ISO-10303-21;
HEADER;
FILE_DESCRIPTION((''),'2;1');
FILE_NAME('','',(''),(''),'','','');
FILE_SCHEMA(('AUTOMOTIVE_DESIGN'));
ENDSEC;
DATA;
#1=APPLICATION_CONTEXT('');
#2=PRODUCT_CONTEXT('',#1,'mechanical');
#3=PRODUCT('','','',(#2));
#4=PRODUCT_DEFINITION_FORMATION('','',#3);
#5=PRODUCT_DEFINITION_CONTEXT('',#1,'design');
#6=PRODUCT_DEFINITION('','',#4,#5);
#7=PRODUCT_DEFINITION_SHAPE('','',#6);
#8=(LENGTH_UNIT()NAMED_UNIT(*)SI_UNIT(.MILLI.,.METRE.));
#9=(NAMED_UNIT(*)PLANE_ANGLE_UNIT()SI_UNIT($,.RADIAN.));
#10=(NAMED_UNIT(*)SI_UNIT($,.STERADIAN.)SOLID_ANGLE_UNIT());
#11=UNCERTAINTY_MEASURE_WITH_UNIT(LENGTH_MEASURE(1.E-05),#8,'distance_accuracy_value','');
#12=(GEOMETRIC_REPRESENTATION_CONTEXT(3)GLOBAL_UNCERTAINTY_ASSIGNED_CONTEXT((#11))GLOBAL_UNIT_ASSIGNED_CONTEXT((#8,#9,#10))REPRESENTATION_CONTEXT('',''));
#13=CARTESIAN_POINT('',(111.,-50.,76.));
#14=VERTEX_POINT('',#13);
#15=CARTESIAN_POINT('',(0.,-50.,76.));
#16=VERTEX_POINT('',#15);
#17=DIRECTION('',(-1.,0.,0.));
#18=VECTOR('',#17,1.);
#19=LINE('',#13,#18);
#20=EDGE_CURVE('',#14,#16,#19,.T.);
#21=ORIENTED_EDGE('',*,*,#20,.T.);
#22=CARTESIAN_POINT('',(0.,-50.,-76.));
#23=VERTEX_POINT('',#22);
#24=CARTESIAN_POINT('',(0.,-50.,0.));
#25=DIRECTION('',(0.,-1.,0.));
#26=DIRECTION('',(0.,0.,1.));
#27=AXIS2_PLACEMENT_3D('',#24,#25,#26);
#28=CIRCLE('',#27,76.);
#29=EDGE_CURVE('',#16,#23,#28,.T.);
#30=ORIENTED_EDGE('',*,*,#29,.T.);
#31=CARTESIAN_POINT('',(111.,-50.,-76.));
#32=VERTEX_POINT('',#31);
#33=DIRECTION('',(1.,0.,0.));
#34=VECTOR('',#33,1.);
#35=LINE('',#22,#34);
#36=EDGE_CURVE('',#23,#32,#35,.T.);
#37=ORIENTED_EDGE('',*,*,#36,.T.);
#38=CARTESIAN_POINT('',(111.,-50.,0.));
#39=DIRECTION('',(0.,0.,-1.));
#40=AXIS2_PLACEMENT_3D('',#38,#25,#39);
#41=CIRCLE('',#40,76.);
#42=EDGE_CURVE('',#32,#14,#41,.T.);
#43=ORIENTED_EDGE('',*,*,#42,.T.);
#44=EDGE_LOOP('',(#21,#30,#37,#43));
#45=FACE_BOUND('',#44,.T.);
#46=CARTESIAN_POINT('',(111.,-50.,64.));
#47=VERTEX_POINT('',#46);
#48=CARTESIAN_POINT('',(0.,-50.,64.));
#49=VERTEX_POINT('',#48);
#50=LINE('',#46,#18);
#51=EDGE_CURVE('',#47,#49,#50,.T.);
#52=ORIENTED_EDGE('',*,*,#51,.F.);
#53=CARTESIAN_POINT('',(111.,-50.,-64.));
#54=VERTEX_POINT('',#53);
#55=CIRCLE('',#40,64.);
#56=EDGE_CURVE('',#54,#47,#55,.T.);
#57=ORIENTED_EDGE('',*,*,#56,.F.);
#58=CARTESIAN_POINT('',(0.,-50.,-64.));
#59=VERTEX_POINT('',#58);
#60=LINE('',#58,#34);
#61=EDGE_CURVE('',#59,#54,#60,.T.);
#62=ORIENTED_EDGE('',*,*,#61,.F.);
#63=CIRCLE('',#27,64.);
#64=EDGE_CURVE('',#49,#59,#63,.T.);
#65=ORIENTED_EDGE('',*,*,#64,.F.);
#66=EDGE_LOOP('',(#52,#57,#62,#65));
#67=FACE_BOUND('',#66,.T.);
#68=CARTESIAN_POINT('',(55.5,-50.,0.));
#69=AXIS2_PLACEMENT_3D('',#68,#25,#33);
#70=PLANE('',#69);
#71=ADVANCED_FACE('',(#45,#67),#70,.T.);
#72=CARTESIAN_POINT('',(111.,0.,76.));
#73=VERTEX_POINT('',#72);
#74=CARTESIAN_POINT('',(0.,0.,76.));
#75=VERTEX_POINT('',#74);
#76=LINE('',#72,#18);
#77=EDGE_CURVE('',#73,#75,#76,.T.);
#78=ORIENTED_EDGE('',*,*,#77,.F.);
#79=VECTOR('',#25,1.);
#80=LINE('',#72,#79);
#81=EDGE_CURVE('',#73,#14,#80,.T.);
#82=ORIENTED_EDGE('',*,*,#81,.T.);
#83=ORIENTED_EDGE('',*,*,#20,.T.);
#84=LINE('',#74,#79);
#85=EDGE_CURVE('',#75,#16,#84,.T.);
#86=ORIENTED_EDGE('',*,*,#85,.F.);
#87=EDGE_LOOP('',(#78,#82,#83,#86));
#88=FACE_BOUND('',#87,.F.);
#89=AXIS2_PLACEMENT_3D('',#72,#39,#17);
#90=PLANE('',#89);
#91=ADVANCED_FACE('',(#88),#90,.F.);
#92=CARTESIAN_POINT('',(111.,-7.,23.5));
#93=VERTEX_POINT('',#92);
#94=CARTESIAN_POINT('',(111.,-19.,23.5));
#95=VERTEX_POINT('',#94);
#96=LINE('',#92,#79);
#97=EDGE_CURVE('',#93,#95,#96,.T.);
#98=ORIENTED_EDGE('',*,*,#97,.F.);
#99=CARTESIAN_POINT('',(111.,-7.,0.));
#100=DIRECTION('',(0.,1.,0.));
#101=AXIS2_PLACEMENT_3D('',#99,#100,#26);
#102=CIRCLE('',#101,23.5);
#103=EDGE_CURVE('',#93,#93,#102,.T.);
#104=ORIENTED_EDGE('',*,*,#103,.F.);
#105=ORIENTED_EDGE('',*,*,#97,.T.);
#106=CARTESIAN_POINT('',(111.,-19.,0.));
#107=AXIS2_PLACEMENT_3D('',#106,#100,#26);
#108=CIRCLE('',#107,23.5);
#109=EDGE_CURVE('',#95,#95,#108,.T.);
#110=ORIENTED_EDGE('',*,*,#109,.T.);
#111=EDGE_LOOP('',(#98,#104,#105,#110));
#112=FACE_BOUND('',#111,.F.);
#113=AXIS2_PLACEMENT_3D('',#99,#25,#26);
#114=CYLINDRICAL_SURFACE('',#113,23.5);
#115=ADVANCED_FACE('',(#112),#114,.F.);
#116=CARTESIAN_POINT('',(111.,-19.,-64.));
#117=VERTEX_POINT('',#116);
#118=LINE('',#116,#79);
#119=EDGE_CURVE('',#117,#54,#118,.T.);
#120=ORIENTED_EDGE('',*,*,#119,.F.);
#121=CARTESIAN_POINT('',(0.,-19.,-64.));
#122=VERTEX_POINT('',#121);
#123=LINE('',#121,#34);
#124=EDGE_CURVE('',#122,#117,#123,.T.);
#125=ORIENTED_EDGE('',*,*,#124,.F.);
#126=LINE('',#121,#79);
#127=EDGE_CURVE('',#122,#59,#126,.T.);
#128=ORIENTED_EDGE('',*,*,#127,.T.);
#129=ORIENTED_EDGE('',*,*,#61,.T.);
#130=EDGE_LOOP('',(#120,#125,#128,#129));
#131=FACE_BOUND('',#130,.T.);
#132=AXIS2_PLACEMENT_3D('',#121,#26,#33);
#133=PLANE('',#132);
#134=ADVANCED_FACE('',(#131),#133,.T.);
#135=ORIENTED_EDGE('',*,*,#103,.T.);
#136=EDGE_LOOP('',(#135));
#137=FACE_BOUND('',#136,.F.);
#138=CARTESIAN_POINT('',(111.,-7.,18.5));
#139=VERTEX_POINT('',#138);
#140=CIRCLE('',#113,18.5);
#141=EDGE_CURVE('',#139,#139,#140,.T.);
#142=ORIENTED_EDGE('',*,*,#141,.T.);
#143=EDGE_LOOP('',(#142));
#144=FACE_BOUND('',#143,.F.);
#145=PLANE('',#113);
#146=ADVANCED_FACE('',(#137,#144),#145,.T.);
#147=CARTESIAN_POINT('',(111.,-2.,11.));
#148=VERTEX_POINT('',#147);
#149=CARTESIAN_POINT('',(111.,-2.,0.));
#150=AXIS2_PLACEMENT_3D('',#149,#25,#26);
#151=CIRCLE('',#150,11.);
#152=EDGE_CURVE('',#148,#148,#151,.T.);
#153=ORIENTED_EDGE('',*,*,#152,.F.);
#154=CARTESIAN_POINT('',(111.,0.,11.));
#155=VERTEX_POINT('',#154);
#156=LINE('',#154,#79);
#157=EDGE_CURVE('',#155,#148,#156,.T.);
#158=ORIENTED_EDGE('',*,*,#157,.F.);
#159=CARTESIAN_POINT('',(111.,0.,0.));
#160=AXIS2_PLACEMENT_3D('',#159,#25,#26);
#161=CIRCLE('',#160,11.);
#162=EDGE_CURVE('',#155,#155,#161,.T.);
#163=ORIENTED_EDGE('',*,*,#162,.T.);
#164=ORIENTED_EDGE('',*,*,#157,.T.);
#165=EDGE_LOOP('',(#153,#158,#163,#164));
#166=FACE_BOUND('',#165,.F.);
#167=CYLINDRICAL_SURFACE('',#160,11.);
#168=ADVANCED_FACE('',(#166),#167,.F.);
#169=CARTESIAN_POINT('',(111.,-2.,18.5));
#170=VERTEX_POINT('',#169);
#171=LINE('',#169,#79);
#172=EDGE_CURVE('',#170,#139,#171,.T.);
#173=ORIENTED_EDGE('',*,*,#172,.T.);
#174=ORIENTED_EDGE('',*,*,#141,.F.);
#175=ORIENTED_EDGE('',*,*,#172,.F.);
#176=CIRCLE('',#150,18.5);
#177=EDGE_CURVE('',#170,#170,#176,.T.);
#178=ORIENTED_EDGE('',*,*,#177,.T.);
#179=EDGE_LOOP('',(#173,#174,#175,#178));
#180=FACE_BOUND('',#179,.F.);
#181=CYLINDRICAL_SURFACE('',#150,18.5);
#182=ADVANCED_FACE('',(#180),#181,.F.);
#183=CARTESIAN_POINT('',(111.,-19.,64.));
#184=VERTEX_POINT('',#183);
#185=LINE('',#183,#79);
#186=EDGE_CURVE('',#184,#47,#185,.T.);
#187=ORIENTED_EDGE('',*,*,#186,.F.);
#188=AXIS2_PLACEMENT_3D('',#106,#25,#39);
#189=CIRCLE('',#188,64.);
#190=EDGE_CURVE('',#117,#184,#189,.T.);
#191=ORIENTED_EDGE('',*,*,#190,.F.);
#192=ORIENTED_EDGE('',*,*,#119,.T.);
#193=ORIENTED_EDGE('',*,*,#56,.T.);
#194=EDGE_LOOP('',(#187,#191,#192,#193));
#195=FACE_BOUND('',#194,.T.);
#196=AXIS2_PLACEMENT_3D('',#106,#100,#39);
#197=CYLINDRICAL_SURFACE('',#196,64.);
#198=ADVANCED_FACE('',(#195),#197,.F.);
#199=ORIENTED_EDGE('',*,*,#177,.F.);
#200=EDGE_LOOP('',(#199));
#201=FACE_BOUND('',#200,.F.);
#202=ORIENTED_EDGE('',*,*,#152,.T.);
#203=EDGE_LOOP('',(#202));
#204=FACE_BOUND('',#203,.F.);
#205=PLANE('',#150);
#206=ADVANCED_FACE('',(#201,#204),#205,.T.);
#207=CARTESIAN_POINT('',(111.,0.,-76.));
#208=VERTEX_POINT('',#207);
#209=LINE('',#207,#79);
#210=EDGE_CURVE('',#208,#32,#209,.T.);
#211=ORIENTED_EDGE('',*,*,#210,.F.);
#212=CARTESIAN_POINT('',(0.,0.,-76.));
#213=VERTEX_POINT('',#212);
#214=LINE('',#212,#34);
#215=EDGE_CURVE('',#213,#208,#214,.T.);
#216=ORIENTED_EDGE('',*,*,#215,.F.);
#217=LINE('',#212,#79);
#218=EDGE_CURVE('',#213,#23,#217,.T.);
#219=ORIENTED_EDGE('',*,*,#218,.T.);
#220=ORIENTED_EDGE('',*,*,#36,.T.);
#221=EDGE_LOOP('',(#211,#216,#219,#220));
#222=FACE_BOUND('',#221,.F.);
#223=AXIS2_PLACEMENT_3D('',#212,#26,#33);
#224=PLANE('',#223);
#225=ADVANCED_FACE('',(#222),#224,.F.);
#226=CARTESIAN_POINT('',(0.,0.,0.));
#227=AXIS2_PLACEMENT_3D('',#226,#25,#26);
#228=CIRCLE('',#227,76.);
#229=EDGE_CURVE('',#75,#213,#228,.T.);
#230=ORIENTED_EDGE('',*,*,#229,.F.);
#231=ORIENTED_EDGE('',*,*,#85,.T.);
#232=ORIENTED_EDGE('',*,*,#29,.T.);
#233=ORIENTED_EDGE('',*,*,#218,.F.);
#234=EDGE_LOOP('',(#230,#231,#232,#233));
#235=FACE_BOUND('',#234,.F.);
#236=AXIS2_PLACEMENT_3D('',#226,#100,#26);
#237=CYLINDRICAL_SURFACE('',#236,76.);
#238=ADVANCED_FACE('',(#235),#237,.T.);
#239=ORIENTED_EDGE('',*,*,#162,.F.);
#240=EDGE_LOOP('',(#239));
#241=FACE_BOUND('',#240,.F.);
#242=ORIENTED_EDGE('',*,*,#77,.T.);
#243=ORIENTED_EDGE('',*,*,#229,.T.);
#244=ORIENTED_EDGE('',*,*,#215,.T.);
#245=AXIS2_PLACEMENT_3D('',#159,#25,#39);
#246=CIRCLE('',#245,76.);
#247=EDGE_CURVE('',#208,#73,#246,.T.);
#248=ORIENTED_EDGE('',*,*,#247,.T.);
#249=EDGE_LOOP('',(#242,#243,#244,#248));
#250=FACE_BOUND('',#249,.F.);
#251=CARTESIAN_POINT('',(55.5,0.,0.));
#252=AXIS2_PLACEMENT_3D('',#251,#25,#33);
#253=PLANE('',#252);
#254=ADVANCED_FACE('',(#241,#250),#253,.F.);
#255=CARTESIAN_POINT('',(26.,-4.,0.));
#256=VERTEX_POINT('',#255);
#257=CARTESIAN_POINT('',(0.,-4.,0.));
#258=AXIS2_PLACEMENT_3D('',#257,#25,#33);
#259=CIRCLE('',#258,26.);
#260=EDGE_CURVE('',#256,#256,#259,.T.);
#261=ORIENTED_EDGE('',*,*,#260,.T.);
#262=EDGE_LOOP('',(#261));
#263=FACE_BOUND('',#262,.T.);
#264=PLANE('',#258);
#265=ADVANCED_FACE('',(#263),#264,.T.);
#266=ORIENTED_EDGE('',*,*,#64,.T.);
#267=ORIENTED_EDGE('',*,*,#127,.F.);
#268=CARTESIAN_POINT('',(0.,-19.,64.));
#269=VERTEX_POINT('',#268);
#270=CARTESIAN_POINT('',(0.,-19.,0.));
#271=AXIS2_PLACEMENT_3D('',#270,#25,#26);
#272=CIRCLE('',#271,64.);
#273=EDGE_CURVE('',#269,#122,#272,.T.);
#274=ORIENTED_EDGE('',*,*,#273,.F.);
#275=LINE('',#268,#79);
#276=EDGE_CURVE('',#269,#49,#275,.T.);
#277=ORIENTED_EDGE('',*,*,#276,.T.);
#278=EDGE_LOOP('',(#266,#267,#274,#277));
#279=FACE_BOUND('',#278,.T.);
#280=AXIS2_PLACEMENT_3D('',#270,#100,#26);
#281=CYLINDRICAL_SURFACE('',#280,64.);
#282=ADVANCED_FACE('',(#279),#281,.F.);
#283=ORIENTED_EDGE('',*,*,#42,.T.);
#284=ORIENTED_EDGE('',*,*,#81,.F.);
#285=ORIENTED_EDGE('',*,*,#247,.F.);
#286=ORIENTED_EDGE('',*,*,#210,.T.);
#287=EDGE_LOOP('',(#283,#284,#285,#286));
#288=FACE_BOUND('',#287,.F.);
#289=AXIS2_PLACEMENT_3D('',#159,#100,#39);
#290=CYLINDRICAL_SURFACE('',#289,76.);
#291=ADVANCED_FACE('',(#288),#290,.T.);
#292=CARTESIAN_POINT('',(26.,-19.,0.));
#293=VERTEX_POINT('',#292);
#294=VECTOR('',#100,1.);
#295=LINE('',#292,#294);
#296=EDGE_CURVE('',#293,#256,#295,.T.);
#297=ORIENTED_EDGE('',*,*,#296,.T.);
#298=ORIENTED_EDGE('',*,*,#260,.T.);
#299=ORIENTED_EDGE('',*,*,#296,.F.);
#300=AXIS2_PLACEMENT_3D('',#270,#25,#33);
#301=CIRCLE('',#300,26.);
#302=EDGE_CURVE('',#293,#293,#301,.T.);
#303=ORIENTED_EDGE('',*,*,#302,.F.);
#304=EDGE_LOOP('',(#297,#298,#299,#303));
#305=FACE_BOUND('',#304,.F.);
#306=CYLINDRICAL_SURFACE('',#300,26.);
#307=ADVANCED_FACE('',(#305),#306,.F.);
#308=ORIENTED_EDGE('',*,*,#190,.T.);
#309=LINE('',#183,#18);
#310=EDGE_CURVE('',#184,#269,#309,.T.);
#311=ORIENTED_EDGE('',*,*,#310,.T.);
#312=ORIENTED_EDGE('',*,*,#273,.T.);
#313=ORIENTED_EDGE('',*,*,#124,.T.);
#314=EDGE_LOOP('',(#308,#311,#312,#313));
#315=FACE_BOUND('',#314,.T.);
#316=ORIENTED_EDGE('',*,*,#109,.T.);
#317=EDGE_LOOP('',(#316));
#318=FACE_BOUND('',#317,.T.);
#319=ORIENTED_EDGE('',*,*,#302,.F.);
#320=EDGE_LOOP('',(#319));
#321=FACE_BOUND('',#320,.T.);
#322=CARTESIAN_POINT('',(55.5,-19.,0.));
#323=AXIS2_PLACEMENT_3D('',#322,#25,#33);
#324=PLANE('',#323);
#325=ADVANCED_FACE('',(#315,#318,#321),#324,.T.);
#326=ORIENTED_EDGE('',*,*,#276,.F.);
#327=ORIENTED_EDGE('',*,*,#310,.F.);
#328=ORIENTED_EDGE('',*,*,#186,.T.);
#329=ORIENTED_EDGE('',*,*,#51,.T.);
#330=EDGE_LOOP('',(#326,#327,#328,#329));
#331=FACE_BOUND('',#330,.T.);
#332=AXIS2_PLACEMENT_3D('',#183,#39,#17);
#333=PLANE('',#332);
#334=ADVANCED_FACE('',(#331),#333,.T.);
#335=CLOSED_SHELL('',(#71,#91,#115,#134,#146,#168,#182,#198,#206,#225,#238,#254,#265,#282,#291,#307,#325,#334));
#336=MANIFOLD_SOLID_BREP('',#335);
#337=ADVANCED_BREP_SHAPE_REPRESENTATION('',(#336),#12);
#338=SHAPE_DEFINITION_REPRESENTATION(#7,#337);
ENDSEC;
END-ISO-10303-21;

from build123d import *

# Parameters (mm, degrees)
F2_DEPTH = 50
F4_DEPTH = 31
F5_R     = 26
F6_DEPTH = 15
F9_ANGLE = -360


with BuildPart() as f2:
    # F0 (on Front) → F2 (new body)
    with BuildSketch(Plane.XZ):
        with BuildLine():
            Line((111, 76), (0, 76))
            ThreePointArc((0, 76), (-76, 0), (0, -76))
            Line((0, -76), (111, -76))
            ThreePointArc((111, -76), (187, 0), (111, 76))
        make_face()
    extrude(amount=F2_DEPTH)

    # F3 (on offset) → F4 (cut)
    with BuildSketch(Plane.XZ.offset(19)):
        with BuildLine():
            Line((111, 64), (0, 64))
            ThreePointArc((0, 64), (-64, 0), (0, -64))
            Line((0, -64), (111, -64))
            ThreePointArc((111, -64), (175, 0), (111, 64))
        make_face()
    extrude(amount=F4_DEPTH, mode=Mode.SUBTRACT)

    # F5 (on offset) → F6 (cut)
    with BuildSketch(Plane.XZ.offset(19)):
        Circle(F5_R)
    extrude(amount=-F6_DEPTH, mode=Mode.SUBTRACT)

    # F8 (on offset) → F9 (revolve, symmetric, cut)
    with BuildSketch(Plane.YZ.offset(111)) as f9_sk:
        Polygon((-19, 0), (0, 0), (0, 11), (-2, 11), (-2, 18.5), (-7, 18.5), (-7, 23.5), (-19, 23.5), align=None)
    revolve(axis=Axis((111, -9.5, 0), (0, -1, 0)), revolution_arc=F9_ANGLE / 2, mode=Mode.SUBTRACT)
    revolve(f9_sk.sketch, axis=Axis((111, -9.5, 0), (0, 1, 0)), revolution_arc=F9_ANGLE / 2, mode=Mode.SUBTRACT)


solid = f2.part
